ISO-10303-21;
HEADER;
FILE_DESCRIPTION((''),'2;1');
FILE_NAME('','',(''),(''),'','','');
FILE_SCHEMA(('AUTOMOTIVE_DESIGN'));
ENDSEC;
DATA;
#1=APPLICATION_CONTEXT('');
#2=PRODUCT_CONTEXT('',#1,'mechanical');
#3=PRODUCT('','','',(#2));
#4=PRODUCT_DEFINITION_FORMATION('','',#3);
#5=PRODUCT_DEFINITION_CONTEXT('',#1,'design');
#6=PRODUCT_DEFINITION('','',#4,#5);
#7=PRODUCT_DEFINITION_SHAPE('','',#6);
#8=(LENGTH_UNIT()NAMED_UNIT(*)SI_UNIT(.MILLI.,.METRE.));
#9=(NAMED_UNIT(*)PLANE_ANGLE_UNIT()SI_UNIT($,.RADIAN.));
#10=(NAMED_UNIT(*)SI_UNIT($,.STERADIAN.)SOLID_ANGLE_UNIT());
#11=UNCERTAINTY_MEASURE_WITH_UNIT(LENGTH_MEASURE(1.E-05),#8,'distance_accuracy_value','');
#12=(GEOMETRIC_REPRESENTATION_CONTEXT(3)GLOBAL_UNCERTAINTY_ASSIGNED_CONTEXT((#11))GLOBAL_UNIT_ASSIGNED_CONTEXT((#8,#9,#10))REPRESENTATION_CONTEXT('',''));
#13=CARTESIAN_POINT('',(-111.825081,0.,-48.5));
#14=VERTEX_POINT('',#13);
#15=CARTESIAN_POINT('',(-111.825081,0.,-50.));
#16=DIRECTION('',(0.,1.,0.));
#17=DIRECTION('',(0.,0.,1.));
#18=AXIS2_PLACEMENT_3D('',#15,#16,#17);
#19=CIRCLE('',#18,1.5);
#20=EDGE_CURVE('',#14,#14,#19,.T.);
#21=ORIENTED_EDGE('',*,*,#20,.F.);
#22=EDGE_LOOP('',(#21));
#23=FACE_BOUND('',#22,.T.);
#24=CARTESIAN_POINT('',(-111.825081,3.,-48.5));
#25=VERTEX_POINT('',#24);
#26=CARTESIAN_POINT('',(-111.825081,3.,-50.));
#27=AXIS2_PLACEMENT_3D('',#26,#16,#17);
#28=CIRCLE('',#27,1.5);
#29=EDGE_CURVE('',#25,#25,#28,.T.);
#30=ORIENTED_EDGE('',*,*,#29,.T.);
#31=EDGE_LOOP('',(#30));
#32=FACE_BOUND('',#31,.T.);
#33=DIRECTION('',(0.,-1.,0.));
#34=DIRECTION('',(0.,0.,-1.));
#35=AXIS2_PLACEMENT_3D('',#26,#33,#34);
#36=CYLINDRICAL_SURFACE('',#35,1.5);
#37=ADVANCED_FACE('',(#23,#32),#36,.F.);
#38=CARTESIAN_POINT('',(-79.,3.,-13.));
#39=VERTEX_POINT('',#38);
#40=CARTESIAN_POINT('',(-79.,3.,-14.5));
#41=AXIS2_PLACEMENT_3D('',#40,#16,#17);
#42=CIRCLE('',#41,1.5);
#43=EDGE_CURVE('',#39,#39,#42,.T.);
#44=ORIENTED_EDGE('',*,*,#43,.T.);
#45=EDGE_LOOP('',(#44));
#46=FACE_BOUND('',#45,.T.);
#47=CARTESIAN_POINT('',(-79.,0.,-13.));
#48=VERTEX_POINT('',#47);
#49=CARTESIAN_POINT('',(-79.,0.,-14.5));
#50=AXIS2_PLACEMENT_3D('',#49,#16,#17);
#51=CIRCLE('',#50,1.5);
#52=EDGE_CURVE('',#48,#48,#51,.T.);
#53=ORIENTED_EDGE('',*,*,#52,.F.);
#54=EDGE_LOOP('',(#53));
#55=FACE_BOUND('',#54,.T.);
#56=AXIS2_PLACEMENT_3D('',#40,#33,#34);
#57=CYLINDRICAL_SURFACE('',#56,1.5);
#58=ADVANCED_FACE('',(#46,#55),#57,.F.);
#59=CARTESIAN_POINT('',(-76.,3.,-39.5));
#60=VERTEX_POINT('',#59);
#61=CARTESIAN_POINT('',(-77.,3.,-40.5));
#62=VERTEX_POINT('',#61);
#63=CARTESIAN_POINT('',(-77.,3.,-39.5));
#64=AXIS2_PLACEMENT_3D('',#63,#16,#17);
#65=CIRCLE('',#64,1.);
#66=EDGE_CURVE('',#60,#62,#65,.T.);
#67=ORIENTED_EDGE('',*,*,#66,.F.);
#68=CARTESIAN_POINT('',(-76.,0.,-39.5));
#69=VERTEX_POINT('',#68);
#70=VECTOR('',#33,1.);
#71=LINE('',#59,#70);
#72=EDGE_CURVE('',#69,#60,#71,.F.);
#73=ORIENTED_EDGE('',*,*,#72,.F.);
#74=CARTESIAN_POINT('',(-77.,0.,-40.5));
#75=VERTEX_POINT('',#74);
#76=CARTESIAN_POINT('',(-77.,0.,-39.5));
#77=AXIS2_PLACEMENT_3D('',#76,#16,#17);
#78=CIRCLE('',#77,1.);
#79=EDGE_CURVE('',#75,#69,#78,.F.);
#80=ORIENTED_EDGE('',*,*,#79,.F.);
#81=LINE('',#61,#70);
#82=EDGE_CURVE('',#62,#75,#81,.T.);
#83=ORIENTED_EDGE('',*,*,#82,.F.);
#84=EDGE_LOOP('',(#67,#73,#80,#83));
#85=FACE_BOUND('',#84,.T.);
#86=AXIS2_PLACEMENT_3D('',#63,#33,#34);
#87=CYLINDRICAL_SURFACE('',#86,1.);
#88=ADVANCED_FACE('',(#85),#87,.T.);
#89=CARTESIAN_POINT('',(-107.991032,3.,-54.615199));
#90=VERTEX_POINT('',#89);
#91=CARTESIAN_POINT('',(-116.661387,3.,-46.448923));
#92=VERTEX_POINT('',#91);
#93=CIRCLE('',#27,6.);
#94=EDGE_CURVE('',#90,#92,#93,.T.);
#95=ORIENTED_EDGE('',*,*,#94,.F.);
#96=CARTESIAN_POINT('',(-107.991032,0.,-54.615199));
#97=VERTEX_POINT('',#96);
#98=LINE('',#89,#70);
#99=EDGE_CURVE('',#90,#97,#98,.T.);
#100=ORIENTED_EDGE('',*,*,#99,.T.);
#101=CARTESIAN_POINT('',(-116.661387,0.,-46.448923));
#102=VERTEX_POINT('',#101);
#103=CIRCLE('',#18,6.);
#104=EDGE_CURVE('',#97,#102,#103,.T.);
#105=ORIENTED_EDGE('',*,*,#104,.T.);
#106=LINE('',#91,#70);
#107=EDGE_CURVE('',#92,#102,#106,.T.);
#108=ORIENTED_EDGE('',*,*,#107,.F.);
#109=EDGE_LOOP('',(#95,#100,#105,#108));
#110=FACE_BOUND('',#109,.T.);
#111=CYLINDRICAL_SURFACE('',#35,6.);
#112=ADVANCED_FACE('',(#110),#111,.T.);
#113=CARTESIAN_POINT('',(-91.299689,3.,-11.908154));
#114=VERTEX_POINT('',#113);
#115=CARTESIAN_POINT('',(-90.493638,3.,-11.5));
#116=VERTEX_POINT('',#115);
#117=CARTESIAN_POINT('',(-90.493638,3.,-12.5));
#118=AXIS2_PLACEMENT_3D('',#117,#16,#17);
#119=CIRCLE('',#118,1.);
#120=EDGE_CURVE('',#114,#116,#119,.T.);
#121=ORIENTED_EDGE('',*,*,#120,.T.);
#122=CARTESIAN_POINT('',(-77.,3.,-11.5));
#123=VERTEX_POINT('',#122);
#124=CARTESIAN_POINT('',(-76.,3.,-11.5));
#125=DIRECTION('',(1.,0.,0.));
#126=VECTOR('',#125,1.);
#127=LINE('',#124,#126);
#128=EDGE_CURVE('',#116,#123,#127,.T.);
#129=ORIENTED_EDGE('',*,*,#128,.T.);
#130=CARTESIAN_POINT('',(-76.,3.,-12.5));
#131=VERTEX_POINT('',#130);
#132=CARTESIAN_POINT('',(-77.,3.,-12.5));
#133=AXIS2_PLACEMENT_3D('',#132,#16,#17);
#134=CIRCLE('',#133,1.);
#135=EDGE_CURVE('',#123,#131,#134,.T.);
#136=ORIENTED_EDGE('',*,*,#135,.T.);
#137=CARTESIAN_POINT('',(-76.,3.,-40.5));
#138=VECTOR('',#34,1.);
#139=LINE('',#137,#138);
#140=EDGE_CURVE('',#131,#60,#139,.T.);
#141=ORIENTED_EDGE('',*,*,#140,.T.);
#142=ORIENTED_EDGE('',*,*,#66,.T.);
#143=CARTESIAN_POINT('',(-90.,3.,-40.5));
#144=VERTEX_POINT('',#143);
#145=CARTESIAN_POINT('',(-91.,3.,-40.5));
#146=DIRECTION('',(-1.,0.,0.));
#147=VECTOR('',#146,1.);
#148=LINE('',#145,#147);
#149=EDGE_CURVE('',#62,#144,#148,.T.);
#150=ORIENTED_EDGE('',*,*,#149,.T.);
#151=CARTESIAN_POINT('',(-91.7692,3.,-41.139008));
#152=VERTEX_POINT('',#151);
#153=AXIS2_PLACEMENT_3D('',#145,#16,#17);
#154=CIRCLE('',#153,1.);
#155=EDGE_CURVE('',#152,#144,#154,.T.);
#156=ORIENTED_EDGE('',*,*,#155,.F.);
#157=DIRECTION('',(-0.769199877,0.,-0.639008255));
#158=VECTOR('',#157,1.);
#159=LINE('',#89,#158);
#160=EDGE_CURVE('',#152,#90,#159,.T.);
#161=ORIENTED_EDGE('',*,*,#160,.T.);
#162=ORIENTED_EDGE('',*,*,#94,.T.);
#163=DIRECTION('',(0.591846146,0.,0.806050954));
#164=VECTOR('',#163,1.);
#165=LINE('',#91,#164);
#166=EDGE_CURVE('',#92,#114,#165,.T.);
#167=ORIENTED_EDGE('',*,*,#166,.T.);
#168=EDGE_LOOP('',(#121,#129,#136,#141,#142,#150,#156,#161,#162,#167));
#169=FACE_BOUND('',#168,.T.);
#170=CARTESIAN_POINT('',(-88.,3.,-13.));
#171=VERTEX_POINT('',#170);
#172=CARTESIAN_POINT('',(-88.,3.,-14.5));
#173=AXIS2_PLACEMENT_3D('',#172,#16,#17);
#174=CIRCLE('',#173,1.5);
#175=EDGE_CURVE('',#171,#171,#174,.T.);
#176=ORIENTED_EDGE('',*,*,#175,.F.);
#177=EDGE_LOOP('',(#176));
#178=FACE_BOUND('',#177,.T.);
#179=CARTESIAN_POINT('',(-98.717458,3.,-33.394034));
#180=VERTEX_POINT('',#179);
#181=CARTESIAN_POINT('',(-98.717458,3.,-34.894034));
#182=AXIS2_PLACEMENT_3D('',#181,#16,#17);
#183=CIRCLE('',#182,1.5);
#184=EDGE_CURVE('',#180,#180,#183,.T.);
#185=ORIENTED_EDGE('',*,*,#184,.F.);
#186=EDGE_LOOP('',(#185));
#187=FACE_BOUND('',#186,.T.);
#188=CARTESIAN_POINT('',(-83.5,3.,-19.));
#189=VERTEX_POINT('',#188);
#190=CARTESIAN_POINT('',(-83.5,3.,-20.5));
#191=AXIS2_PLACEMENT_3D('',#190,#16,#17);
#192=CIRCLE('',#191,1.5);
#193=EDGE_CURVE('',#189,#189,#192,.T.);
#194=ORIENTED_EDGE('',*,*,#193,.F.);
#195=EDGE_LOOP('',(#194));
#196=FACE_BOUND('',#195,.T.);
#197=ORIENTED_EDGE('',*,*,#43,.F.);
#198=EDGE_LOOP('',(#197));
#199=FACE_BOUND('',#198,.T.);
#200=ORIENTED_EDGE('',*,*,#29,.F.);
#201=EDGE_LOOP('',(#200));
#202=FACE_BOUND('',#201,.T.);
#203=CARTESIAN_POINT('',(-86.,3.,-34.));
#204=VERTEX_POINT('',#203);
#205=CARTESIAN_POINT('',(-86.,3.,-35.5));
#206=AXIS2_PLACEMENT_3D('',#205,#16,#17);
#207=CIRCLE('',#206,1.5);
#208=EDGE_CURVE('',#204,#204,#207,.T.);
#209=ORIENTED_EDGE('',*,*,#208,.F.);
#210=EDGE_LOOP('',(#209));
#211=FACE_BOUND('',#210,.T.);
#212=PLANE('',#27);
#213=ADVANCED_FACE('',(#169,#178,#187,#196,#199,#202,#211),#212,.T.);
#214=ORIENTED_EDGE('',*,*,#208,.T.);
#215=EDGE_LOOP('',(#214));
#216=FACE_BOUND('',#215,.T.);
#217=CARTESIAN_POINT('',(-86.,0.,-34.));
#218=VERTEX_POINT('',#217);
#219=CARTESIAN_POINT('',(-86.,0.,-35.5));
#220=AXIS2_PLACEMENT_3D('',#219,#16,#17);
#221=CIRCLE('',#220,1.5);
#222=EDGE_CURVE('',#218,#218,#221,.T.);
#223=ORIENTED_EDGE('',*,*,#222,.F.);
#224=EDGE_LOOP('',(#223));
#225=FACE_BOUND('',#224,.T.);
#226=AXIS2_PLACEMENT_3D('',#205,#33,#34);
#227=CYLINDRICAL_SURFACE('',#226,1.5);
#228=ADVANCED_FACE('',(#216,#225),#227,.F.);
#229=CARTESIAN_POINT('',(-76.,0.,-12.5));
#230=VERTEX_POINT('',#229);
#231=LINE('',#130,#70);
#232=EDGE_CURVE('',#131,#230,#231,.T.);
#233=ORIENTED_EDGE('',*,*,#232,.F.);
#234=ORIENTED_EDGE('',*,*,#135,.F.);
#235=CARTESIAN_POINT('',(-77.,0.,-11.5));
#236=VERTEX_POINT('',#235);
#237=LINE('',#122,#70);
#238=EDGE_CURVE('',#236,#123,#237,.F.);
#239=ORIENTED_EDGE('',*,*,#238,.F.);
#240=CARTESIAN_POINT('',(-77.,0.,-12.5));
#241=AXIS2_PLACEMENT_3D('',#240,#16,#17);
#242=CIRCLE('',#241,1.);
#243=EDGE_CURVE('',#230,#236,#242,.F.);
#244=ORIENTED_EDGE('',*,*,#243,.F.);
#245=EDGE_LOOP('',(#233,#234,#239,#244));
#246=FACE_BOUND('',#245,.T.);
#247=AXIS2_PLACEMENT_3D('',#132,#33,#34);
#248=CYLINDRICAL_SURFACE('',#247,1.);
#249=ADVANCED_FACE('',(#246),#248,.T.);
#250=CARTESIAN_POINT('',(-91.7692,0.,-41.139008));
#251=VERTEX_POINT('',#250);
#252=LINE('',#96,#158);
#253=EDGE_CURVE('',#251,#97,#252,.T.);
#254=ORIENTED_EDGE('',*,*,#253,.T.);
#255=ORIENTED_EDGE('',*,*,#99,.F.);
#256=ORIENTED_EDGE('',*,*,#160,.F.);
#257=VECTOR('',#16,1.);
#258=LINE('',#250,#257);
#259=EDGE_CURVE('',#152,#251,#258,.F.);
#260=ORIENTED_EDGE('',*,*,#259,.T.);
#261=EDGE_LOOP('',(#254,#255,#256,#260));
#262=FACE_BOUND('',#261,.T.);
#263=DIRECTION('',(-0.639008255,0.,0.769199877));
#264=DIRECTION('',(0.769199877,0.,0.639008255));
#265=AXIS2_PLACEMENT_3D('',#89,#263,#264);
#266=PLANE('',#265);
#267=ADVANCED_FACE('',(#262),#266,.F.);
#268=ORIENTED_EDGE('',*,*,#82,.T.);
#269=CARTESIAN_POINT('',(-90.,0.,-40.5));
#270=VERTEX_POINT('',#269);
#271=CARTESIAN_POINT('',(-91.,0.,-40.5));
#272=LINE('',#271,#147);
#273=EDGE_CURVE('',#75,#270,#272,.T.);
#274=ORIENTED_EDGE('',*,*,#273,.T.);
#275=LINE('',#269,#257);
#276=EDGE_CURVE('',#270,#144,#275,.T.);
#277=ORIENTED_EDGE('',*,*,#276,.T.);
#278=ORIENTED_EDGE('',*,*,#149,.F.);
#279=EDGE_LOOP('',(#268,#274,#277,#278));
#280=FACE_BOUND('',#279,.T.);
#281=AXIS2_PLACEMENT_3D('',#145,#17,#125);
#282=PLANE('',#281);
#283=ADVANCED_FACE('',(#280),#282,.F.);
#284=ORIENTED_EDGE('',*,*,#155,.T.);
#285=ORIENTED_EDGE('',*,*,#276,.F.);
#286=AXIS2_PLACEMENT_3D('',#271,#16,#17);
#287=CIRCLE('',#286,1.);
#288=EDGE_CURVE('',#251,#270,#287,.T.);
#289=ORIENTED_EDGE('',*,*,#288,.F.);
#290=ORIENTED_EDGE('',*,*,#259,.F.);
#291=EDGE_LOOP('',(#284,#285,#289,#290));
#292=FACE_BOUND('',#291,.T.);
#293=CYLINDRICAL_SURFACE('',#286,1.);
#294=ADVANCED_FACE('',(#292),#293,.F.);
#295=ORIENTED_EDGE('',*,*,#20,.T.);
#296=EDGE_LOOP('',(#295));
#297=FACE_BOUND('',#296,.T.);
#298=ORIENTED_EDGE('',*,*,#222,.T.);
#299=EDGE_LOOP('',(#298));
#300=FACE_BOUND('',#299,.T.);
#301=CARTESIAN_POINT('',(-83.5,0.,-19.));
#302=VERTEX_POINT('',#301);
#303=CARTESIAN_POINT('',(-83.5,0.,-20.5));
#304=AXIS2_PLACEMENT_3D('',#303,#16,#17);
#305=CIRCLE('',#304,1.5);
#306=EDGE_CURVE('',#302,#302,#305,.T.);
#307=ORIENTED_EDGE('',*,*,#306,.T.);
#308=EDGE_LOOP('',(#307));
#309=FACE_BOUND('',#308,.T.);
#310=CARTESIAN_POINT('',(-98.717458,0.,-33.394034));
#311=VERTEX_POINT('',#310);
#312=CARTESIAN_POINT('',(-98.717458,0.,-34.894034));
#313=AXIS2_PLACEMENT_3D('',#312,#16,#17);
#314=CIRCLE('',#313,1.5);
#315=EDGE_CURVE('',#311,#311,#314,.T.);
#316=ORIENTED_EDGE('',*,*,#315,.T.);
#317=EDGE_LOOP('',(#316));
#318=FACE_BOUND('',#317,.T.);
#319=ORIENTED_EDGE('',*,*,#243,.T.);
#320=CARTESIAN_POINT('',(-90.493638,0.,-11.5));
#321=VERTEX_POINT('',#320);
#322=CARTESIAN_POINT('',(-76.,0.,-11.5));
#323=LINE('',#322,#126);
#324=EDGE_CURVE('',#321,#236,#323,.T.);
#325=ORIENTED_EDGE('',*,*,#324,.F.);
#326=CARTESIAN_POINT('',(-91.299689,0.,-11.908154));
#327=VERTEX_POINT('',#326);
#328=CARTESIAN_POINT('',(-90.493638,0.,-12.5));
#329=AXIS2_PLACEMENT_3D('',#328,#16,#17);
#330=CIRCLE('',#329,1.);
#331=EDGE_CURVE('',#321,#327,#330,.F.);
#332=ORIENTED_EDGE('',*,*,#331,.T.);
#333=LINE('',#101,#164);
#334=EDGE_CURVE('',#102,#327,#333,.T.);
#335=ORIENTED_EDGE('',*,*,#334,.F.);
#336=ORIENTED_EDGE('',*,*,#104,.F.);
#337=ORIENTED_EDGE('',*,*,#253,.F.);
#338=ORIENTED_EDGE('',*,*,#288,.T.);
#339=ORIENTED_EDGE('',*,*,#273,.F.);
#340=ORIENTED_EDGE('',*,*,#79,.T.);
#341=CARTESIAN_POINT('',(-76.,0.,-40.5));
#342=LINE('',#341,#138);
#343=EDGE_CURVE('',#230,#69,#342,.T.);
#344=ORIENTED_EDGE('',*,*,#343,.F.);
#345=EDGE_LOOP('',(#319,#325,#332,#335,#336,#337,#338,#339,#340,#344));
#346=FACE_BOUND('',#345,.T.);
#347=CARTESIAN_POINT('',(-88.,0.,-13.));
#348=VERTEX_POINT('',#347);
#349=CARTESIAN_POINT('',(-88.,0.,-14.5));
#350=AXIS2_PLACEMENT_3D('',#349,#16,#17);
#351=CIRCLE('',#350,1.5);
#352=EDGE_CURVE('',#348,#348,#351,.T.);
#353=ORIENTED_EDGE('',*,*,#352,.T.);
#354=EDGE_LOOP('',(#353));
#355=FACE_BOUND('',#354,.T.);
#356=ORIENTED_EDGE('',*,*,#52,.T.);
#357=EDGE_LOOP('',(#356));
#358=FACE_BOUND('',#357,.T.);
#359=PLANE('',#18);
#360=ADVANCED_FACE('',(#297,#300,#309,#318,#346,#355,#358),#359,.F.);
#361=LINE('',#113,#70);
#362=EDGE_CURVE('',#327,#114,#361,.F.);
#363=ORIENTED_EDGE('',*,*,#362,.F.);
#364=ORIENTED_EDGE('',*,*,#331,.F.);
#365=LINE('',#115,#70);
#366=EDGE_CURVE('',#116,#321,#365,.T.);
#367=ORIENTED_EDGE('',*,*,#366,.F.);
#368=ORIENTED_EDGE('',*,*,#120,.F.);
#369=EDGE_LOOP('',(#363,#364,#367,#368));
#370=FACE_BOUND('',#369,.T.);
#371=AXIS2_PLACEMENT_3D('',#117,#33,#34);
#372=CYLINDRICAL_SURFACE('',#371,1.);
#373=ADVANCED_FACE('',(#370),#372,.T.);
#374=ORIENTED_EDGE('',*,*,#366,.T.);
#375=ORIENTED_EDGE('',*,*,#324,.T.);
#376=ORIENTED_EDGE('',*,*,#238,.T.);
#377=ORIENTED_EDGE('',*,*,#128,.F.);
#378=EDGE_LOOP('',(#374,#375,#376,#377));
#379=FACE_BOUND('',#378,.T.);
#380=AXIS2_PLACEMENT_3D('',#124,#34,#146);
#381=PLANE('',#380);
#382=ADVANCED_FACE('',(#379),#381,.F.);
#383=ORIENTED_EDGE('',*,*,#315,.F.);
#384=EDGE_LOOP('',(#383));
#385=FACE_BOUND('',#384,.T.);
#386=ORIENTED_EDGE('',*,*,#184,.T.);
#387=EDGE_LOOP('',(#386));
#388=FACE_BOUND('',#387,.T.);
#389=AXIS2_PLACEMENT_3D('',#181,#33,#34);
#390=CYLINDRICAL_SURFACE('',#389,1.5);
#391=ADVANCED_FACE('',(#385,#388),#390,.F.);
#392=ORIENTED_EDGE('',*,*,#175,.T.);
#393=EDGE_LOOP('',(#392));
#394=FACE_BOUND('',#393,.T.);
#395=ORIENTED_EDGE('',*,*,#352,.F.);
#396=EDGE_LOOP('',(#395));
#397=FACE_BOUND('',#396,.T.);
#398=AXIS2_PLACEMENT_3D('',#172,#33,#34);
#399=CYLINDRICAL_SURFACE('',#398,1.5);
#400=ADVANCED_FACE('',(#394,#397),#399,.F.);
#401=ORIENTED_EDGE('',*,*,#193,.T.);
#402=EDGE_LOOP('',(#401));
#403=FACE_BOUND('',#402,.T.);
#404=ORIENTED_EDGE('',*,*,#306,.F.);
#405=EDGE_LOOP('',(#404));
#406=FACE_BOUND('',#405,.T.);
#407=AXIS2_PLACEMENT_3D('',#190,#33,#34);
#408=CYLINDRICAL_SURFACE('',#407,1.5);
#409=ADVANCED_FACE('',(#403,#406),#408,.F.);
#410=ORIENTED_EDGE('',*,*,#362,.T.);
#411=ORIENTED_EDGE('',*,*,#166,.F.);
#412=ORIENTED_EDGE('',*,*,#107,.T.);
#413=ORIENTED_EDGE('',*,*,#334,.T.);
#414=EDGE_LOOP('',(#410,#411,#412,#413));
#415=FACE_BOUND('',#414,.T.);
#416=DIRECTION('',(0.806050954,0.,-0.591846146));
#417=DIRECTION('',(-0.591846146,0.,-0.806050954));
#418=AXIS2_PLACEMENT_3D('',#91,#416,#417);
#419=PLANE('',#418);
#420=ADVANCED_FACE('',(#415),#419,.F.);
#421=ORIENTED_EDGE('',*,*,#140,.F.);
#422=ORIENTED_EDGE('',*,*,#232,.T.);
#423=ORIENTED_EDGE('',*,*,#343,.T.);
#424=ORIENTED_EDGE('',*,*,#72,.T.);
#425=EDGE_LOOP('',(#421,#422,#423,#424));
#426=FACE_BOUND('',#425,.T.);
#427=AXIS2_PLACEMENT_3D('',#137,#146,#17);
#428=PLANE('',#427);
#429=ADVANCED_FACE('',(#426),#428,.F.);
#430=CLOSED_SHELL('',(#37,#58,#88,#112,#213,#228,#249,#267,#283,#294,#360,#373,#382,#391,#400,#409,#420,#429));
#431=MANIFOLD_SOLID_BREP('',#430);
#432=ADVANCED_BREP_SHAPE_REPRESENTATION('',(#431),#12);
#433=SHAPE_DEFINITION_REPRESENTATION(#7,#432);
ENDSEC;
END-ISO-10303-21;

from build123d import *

# Parameters (mm, degrees)
SKETCH_1_R          = 1.5
EXTRUDE_1_DEPTH     = 3
SKETCH_3_R          = 1
CUT_EXTRUDE_2_DEPTH = 131.490420233
FILLET_1_R          = 1


with BuildPart() as part:
    # 草图1 → 凸台-拉伸1 (new body)
    with BuildSketch(Plane(origin=(0, 0, 0), x_dir=(1, 0, 0), z_dir=(0, 1, 0))):
        with BuildLine():
            Line((-107.991031726, 54.61519926), (-91, 40.5))
            Line((-91, 40.5), (-76, 40.5))
            Line((-76, 40.5), (-76, 11.5))
            Line((-76, 11.5), (-91, 11.5))
            Line((-91, 11.5), (-116.661386977, 46.448923126))
            ThreePointArc((-116.661386977, 46.448923126), (-115.938856388, 54.367705823), (-107.991031726, 54.61519926))
        make_face()
        with Locations(Location((-111.825081255, 50, 0), (0, 0, 270))):
            Circle(SKETCH_1_R, mode=Mode.SUBTRACT)
        with Locations(Location((-88, 14.5, 0), (0, 0, 270))):
            Circle(SKETCH_1_R, mode=Mode.SUBTRACT)
        with Locations(Location((-79, 14.5, 0), (0, 0, 270))):
            Circle(SKETCH_1_R, mode=Mode.SUBTRACT)
        with Locations(Location((-83.5, 20.5, 0), (0, 0, 270))):
            Circle(SKETCH_1_R, mode=Mode.SUBTRACT)
        with Locations(Location((-86, 35.5, 0), (0, 0, 270))):
            Circle(SKETCH_1_R, mode=Mode.SUBTRACT)
        with Locations(Location((-98.71745767, 34.89403416, 0), (0, 0, 270))):
            Circle(SKETCH_1_R, mode=Mode.SUBTRACT)
    extrude(amount=EXTRUDE_1_DEPTH)

    # 草图3 → 切除-拉伸2 (cut, through all)
    with BuildSketch(Plane(origin=(0, 3, 0), x_dir=(1, 0, 0), z_dir=(0, 1, 0))):
        with Locations((-91, 40.5)):
            Circle(SKETCH_3_R)
    extrude(amount=-CUT_EXTRUDE_2_DEPTH, mode=Mode.SUBTRACT)

    # 圆角1
    fillet_1_edges = [part.edges().sort_by_distance(p)[0] for p in [
        (-76, 1.5, -40.5),
        (-76, 1.5, -11.5),
        (-91, 1.5, -11.5),
    ]]
    fillet(fillet_1_edges, radius=FILLET_1_R)


solid = part.part
